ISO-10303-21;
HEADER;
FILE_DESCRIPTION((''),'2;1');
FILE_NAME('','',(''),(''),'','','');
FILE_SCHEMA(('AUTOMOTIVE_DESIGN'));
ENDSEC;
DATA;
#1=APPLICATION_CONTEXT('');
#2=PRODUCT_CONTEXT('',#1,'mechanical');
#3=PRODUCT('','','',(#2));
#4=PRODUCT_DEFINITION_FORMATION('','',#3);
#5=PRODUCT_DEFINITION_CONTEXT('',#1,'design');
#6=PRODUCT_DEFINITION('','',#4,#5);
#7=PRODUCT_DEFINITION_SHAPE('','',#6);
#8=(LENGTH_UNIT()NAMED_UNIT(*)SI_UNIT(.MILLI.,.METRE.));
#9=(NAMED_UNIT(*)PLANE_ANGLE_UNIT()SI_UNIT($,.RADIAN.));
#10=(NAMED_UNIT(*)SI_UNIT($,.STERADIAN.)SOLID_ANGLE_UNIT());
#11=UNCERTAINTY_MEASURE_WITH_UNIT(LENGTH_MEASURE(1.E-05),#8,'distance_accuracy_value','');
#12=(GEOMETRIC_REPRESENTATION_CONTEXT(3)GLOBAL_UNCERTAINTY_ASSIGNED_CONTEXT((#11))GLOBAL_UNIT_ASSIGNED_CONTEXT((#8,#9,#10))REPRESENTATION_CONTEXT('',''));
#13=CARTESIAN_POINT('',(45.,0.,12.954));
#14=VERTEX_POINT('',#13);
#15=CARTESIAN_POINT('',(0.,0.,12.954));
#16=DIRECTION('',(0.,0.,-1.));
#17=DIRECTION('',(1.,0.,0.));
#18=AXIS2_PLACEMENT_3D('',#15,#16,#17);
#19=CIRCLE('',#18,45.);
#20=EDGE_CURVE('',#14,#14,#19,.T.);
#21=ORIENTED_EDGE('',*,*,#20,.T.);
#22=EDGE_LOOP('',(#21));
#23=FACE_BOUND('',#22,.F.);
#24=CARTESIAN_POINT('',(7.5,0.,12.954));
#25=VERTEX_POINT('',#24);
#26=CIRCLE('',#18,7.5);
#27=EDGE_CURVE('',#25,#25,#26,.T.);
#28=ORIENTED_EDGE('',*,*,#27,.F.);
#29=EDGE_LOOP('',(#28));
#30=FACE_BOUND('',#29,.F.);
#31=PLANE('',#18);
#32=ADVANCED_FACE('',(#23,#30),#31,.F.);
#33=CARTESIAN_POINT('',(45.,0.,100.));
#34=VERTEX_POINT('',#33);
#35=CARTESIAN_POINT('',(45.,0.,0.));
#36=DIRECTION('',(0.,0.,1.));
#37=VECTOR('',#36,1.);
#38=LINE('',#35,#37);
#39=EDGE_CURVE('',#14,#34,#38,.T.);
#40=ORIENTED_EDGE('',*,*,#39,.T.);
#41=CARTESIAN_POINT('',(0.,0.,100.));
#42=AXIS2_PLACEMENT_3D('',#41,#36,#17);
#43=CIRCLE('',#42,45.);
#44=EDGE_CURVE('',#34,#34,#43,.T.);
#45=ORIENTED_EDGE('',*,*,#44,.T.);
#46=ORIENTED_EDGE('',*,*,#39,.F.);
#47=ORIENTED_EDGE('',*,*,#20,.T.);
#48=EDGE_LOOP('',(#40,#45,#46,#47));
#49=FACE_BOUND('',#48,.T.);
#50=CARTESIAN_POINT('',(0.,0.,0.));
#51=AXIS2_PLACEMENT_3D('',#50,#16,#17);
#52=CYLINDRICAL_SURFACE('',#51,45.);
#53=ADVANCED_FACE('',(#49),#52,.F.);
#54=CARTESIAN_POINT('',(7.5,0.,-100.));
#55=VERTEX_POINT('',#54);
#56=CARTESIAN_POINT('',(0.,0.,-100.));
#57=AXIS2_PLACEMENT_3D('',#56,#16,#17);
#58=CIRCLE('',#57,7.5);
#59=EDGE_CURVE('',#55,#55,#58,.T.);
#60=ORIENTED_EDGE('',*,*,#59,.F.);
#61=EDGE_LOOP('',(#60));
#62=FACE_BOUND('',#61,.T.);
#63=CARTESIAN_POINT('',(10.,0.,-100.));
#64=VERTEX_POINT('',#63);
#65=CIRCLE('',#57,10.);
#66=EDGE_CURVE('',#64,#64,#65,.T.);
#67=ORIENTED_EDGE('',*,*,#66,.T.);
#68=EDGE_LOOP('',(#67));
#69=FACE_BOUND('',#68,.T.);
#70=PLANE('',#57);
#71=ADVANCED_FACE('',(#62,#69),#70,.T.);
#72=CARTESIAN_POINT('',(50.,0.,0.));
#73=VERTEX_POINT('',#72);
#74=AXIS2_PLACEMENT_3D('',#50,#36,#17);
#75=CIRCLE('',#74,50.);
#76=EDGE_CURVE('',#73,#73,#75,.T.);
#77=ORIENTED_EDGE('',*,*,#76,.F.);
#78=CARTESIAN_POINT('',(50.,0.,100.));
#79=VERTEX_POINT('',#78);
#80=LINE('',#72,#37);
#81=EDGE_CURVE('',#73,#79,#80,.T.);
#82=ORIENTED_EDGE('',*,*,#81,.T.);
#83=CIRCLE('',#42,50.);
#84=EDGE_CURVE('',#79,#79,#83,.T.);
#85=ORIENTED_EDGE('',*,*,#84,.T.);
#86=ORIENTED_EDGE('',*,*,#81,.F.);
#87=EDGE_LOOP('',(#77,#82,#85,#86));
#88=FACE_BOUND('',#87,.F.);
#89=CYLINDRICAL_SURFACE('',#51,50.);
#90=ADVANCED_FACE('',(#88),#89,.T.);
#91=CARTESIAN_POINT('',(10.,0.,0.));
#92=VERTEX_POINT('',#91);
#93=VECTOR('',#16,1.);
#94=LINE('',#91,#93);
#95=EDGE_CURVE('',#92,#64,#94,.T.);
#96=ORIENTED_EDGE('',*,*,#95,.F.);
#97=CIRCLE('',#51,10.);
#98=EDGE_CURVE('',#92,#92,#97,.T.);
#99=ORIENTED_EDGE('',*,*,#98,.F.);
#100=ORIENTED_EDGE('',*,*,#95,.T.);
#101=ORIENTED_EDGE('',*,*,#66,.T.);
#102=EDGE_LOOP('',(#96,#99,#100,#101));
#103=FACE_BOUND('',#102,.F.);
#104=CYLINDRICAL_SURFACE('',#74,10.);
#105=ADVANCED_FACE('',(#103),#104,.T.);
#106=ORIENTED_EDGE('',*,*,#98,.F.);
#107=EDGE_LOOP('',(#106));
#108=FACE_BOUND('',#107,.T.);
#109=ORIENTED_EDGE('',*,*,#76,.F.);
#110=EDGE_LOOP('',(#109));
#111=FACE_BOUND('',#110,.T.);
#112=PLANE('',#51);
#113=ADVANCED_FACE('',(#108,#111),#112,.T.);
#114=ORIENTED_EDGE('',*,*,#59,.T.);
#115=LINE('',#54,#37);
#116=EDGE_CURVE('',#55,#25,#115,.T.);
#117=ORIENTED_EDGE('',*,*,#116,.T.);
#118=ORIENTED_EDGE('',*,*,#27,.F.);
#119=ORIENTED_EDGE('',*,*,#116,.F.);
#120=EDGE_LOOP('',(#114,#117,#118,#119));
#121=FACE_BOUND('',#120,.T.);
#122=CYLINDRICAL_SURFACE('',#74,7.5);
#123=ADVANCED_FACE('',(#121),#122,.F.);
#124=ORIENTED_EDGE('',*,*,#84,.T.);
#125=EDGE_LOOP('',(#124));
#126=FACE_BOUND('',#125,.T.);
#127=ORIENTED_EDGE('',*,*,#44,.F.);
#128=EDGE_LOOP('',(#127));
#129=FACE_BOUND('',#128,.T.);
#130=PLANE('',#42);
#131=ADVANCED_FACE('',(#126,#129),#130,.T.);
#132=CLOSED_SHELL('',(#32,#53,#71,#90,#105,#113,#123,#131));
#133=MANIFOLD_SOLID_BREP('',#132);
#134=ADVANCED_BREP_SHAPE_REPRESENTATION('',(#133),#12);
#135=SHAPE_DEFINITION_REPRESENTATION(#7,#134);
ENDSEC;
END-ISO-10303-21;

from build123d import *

# Parameters (mm, degrees)
F0_R     = 50
F0_R_2   = 45
F1_DEPTH = 100
F2_R     = 45
F3_DEPTH = 12.954
F4_R     = 7.5
F5_DEPTH = 12.954
F6_R     = 10
F6_R_2   = 7.5
F7_DEPTH = 100


with BuildPart() as f1:
    # F0 (on Top) → F1 (new body)
    with BuildSketch(Plane.XY):
        Circle(F0_R)
        Circle(F0_R_2, mode=Mode.SUBTRACT)
    extrude(amount=F1_DEPTH)

    # F2 (on face) → F3 (join)
    with BuildSketch(Plane(origin=(0, 0, 0), x_dir=(1, 0, 0), z_dir=(0, 0, -1))):
        Circle(F2_R)
    extrude(amount=-F3_DEPTH)

    # F4 (on face) → F5 (cut, through all)
    with BuildSketch(Plane(origin=(0, 0, 0), x_dir=(1, 0, 0), z_dir=(0, 0, -1))):
        Circle(F4_R)
    extrude(amount=-F5_DEPTH, mode=Mode.SUBTRACT)

    # F6 (on face) → F7 (join)
    with BuildSketch(Plane(origin=(0, 0, 0), x_dir=(1, 0, 0), z_dir=(0, 0, -1))):
        Circle(F6_R)
        Circle(F6_R_2, mode=Mode.SUBTRACT)
    extrude(amount=F7_DEPTH)


solid = f1.part
